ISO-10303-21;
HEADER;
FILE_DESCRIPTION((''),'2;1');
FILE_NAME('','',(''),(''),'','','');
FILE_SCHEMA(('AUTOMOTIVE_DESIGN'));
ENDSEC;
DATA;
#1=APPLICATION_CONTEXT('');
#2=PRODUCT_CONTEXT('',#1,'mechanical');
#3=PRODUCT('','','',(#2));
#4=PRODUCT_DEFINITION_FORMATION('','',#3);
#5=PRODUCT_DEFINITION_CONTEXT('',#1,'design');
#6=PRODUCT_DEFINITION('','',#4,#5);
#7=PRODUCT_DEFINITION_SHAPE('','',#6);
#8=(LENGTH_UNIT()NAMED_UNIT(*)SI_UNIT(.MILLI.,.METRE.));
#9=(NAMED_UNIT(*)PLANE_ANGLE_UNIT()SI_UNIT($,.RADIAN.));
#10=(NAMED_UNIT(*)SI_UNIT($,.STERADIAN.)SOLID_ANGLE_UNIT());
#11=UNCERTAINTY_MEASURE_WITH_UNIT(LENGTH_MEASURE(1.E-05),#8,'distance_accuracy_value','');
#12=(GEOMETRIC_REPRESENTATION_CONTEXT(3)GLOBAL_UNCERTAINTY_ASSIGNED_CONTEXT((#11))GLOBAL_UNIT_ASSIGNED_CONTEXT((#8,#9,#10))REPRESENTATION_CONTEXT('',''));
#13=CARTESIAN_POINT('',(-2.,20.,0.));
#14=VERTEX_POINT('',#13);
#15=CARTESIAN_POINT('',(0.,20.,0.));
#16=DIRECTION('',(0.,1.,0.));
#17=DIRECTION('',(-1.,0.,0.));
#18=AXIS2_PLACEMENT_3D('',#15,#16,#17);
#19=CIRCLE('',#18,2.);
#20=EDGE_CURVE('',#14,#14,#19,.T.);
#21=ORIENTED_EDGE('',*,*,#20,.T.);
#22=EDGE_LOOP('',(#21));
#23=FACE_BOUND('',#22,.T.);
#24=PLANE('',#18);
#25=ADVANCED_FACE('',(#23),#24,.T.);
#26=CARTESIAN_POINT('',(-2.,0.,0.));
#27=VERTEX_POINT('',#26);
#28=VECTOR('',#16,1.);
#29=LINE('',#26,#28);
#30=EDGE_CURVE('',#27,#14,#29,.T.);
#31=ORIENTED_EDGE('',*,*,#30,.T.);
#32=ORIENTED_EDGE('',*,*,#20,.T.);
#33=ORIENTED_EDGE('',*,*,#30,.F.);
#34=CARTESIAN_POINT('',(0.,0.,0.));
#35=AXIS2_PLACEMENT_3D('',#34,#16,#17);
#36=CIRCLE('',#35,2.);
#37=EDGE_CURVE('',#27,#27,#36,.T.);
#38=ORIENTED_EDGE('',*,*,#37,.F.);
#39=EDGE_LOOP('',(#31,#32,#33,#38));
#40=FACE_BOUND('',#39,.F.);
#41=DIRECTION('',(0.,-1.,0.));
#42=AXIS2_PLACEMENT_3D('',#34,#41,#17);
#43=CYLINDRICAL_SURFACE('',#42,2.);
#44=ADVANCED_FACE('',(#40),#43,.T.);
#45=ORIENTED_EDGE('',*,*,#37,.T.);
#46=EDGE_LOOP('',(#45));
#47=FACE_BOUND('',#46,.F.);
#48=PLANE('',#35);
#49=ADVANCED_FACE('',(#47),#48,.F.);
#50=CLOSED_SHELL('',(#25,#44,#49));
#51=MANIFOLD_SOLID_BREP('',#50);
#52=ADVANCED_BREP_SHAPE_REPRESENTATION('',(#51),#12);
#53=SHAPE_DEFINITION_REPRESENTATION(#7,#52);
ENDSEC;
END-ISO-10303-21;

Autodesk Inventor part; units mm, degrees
ref_plane "YZ Plane" through (0, 0, 0) normal (1, 0, 0) x (0, 1, 0)
ref_plane "XZ Plane" through (0, 0, 0) normal (0, 1, 0) x (-1, 0, 0)
ref_plane "XY Plane" through (0, 0, 0) normal (0, 0, 1) x (1, 0, 0)
sketch "Sketch1" plane through (0, 0, 0) normal (0, 1, 0) x (-1, 0, 0)
  circle A0 centre (0, 0) radius 2
  dimension "d0" = 4
extrude "Extrusion1" add sketch "Sketch1" along normal blind 20
properties part number "sprint"
